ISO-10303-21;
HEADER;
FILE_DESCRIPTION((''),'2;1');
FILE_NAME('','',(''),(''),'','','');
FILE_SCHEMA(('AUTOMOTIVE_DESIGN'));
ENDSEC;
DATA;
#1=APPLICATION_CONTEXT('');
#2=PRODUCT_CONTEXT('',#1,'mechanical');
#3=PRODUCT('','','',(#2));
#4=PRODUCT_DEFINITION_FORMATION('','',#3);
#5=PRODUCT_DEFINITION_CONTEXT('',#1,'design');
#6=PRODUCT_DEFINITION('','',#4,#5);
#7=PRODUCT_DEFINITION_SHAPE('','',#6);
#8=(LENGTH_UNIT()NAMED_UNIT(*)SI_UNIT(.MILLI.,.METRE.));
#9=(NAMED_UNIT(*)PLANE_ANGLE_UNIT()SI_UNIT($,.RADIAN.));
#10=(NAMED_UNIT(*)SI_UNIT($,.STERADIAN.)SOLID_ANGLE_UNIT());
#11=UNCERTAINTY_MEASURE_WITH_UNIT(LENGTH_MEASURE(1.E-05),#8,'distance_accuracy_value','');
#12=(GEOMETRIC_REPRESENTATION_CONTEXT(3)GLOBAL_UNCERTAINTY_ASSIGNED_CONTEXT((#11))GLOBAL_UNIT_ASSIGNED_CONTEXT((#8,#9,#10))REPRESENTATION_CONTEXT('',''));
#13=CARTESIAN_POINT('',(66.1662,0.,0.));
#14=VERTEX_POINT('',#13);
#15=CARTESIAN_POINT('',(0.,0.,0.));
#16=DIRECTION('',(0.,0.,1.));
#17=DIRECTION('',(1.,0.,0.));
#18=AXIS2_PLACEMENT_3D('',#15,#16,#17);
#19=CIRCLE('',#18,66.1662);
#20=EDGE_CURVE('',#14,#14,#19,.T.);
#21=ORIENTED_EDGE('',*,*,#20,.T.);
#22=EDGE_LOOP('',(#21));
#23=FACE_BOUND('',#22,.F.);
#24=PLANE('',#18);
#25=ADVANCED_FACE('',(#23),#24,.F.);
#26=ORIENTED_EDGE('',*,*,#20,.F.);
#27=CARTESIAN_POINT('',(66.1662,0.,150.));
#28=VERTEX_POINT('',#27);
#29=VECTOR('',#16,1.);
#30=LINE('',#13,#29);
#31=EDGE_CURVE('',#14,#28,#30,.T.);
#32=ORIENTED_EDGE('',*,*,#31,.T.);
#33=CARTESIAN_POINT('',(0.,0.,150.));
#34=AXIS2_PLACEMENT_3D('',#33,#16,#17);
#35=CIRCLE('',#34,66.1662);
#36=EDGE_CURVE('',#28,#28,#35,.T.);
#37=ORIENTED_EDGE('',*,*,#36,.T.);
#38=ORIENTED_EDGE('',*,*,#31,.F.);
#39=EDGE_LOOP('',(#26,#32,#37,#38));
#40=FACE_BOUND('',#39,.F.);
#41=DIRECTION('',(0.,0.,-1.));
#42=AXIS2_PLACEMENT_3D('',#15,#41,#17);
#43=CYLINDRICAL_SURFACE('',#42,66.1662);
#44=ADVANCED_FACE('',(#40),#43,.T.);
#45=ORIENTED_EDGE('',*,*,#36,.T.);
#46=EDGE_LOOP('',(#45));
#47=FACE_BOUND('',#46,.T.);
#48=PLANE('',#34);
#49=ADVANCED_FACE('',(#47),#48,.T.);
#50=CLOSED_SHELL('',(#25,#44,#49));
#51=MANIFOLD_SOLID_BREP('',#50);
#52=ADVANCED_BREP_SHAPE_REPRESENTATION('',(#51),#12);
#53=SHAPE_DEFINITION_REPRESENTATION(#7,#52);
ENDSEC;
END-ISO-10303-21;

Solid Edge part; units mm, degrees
sketch "Sketch1" plane through (0, 0, 0) normal (0, 0, 1) x (1, 0, 0)
  circle A0 centre (0, 0) radius 66.1662
extrude "Protrusion1" add sketch "Sketch1" along normal blind 150
